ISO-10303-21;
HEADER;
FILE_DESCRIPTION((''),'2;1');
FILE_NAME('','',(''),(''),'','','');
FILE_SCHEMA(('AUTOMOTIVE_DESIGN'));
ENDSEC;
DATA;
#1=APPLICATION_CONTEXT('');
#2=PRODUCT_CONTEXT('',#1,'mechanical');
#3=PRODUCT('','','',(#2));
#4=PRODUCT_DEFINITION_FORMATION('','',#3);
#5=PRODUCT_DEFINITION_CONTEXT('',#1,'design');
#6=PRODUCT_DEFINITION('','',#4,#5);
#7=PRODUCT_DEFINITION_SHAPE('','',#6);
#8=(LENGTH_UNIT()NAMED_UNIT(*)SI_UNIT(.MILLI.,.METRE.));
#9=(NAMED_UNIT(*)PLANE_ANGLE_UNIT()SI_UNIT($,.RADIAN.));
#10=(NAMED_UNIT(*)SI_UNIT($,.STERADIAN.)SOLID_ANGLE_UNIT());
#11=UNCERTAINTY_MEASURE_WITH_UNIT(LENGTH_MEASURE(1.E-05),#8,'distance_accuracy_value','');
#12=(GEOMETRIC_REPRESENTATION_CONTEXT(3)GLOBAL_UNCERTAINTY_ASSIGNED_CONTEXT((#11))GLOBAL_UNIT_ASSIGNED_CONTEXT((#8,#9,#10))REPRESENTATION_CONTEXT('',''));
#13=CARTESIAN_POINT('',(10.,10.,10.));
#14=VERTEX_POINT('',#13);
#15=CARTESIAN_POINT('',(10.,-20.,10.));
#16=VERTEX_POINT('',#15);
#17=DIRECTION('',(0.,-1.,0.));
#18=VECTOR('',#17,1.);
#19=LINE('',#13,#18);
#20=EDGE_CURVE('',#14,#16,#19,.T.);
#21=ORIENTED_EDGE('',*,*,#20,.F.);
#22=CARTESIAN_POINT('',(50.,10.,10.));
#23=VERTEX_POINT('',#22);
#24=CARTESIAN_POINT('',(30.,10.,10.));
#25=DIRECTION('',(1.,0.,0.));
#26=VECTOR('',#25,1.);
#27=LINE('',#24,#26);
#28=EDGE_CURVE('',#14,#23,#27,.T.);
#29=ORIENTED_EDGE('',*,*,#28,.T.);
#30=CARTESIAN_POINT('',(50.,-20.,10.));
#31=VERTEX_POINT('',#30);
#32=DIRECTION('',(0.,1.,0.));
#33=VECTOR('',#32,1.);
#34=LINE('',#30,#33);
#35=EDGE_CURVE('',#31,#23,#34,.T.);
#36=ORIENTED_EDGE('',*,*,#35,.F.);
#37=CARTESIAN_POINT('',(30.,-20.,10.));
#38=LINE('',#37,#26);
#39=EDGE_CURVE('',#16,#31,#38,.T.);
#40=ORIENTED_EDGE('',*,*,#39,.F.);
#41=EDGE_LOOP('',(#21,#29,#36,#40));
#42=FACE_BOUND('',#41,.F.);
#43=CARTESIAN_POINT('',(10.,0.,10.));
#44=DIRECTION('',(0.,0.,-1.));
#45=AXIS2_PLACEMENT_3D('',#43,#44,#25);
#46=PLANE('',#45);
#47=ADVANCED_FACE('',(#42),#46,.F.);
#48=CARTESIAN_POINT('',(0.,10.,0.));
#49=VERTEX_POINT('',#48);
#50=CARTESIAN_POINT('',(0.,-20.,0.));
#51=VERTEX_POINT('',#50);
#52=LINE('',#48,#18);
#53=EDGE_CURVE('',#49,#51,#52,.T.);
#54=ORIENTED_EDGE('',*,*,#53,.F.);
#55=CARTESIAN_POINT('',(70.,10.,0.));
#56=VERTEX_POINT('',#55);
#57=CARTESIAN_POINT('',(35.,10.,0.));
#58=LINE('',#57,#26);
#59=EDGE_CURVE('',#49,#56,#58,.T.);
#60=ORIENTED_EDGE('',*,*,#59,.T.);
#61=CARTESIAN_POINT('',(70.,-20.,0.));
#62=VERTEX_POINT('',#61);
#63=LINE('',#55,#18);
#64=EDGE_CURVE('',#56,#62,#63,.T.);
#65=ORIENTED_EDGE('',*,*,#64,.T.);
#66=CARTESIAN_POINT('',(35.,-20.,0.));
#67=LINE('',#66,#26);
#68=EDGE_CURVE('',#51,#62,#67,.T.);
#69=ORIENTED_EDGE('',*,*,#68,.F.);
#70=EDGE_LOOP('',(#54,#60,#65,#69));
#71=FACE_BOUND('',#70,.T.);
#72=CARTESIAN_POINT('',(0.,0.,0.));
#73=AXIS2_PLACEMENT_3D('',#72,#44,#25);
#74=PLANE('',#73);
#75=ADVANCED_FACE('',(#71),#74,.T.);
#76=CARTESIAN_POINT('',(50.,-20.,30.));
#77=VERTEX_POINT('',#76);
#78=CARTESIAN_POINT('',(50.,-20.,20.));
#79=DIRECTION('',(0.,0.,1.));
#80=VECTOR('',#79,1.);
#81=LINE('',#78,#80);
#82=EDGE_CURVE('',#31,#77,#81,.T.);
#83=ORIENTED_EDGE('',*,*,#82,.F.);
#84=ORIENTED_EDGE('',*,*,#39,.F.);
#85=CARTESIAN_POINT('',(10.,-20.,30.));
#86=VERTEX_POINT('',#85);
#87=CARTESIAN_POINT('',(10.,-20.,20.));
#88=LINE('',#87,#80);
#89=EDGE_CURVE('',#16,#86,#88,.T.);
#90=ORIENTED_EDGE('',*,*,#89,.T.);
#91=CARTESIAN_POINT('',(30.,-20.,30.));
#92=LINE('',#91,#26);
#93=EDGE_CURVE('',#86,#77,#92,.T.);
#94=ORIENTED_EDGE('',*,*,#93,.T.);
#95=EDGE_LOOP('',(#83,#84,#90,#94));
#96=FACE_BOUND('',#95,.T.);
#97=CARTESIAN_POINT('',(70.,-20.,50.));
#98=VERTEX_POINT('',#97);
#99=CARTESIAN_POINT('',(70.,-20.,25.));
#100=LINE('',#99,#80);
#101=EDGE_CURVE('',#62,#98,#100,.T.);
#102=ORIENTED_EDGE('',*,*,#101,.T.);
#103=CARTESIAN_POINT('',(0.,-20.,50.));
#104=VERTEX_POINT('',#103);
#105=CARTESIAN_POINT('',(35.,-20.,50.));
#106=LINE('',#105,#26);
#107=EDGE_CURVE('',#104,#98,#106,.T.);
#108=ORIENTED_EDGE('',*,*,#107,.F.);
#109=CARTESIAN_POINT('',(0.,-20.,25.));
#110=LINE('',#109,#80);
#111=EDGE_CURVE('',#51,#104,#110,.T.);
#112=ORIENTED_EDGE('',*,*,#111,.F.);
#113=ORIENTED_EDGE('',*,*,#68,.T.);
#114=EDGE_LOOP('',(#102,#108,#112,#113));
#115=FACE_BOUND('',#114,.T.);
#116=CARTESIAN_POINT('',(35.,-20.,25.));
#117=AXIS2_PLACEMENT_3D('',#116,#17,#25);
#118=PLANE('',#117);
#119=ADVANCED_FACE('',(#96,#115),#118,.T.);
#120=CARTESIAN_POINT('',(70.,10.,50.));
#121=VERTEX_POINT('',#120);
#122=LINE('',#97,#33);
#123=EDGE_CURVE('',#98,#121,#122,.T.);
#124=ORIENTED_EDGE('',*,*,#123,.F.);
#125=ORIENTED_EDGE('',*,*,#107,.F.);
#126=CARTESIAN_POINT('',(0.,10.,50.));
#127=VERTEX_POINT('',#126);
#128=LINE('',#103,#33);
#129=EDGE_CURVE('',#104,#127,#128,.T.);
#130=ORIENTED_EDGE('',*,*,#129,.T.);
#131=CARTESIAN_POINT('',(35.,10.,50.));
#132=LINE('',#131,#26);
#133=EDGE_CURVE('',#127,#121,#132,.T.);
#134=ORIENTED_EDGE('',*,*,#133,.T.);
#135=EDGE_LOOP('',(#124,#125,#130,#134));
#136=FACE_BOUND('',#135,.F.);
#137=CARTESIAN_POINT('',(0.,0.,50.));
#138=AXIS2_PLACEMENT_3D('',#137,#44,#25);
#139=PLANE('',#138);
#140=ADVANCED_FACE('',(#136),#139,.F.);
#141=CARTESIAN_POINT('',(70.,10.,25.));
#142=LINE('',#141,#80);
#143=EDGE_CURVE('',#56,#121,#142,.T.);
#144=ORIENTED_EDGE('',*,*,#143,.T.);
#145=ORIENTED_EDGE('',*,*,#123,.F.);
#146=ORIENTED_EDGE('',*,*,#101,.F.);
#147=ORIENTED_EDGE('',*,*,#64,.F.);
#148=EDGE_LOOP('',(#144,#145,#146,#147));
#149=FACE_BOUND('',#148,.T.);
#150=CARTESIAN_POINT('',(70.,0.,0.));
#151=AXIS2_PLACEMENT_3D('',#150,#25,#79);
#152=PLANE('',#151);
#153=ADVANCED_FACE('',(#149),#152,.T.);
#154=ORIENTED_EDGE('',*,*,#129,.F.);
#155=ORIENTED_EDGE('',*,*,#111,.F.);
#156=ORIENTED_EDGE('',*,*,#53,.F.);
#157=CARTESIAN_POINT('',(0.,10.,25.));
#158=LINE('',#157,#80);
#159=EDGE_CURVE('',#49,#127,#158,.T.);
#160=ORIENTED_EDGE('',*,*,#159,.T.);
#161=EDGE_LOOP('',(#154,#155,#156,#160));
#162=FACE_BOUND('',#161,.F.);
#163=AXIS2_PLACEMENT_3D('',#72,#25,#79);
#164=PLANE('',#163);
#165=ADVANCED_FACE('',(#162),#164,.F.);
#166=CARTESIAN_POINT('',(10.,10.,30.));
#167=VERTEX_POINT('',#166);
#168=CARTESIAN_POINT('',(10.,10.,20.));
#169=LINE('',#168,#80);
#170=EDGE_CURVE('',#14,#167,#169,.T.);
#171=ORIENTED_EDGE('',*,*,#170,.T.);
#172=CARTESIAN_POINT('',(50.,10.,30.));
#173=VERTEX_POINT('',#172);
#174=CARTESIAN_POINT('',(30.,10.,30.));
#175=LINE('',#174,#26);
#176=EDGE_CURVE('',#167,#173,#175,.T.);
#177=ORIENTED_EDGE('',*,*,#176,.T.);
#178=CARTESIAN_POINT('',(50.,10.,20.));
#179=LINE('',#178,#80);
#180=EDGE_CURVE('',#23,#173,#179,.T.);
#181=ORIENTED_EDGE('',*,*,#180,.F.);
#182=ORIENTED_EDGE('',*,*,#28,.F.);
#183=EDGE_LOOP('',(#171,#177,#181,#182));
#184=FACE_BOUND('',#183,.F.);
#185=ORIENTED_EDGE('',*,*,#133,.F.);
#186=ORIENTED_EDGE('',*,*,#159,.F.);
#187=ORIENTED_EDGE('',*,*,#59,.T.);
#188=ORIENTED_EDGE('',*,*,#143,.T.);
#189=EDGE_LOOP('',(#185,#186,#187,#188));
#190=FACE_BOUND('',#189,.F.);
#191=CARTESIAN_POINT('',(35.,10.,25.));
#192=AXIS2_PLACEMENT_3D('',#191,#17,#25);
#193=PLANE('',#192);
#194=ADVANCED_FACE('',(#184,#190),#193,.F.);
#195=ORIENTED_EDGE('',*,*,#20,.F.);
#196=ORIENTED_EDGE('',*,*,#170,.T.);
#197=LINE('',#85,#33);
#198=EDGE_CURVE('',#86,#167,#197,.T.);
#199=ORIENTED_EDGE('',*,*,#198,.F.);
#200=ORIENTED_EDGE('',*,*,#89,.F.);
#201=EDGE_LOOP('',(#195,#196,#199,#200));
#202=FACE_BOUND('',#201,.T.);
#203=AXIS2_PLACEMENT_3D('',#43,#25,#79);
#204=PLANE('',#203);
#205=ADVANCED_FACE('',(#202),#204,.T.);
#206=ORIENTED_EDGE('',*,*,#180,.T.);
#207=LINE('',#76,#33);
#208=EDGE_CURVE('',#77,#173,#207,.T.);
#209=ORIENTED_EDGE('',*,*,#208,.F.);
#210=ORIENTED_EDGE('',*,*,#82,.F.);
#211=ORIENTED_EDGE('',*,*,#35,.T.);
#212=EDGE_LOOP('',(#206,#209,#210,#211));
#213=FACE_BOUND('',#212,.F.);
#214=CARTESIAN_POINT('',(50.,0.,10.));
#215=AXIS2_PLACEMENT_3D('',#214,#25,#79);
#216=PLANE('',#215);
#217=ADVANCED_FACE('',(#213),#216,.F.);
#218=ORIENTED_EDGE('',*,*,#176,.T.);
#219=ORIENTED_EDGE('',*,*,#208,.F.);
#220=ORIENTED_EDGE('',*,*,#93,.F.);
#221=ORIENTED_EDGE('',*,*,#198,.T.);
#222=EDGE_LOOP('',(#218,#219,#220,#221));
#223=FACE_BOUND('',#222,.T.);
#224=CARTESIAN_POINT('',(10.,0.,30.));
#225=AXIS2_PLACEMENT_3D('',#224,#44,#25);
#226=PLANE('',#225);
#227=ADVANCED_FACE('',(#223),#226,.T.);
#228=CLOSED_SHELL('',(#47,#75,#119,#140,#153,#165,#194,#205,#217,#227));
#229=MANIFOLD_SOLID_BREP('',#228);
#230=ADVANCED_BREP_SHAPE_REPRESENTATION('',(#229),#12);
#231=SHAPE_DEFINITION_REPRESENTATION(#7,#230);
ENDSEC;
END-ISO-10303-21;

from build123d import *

# Parameters (mm, degrees)
F0_W        = 70
F0_H        = 50
F0_W_2      = 40
F0_H_2      = 20
F2_DEPTH    = 10
F1_W        = 70
F1_H        = 50
F1_W_2      = 40
F1_H_2      = 20
F2_FACE_W   = 70
F2_FACE_H   = 50
F2_FACE_W_2 = 40
F2_FACE_H_2 = 20
F3_DEPTH    = 10
F4_DEPTH    = 10


with BuildPart() as f2:
    # F0 (on Front) → F2 (new body)
    with BuildSketch(Plane.XZ):
        with Locations((35, 25)):
            Rectangle(F0_W, F0_H)
        with Locations((30, 20)):
            Rectangle(F0_W_2, F0_H_2, mode=Mode.SUBTRACT)
    extrude(amount=F2_DEPTH)

    # F1 (on face) + F2_face (on face) → F3 (join)
    with BuildSketch(Plane.XZ):
        with Locations((35, 25)):
            Rectangle(F1_W, F1_H)
        with Locations((30, 20)):
            Rectangle(F1_W_2, F1_H_2, mode=Mode.SUBTRACT)
    with BuildSketch(Plane(origin=(36.4814814815, -10, 26.4814814815), x_dir=(1, 0, 0), z_dir=(0, -1, 0))):
        with Locations((-1.4814814815, -1.4814814815)):
            Rectangle(F2_FACE_W, F2_FACE_H)
        with Locations((-6.4814814815, -6.4814814815)):
            Rectangle(F2_FACE_W_2, F2_FACE_H_2, mode=Mode.SUBTRACT)
    extrude(amount=F3_DEPTH)

    # F4 (add): faces of the model
    f4_faces = [f2.faces().sort_by_distance(p)[0] for p in [
        (35, 0, 49.1397674733),
        (35, -20, 49.1397674733),
    ]]
    extrude(f4_faces, amount=F4_DEPTH, dir=(0, 1, 0))


solid = f2.part
